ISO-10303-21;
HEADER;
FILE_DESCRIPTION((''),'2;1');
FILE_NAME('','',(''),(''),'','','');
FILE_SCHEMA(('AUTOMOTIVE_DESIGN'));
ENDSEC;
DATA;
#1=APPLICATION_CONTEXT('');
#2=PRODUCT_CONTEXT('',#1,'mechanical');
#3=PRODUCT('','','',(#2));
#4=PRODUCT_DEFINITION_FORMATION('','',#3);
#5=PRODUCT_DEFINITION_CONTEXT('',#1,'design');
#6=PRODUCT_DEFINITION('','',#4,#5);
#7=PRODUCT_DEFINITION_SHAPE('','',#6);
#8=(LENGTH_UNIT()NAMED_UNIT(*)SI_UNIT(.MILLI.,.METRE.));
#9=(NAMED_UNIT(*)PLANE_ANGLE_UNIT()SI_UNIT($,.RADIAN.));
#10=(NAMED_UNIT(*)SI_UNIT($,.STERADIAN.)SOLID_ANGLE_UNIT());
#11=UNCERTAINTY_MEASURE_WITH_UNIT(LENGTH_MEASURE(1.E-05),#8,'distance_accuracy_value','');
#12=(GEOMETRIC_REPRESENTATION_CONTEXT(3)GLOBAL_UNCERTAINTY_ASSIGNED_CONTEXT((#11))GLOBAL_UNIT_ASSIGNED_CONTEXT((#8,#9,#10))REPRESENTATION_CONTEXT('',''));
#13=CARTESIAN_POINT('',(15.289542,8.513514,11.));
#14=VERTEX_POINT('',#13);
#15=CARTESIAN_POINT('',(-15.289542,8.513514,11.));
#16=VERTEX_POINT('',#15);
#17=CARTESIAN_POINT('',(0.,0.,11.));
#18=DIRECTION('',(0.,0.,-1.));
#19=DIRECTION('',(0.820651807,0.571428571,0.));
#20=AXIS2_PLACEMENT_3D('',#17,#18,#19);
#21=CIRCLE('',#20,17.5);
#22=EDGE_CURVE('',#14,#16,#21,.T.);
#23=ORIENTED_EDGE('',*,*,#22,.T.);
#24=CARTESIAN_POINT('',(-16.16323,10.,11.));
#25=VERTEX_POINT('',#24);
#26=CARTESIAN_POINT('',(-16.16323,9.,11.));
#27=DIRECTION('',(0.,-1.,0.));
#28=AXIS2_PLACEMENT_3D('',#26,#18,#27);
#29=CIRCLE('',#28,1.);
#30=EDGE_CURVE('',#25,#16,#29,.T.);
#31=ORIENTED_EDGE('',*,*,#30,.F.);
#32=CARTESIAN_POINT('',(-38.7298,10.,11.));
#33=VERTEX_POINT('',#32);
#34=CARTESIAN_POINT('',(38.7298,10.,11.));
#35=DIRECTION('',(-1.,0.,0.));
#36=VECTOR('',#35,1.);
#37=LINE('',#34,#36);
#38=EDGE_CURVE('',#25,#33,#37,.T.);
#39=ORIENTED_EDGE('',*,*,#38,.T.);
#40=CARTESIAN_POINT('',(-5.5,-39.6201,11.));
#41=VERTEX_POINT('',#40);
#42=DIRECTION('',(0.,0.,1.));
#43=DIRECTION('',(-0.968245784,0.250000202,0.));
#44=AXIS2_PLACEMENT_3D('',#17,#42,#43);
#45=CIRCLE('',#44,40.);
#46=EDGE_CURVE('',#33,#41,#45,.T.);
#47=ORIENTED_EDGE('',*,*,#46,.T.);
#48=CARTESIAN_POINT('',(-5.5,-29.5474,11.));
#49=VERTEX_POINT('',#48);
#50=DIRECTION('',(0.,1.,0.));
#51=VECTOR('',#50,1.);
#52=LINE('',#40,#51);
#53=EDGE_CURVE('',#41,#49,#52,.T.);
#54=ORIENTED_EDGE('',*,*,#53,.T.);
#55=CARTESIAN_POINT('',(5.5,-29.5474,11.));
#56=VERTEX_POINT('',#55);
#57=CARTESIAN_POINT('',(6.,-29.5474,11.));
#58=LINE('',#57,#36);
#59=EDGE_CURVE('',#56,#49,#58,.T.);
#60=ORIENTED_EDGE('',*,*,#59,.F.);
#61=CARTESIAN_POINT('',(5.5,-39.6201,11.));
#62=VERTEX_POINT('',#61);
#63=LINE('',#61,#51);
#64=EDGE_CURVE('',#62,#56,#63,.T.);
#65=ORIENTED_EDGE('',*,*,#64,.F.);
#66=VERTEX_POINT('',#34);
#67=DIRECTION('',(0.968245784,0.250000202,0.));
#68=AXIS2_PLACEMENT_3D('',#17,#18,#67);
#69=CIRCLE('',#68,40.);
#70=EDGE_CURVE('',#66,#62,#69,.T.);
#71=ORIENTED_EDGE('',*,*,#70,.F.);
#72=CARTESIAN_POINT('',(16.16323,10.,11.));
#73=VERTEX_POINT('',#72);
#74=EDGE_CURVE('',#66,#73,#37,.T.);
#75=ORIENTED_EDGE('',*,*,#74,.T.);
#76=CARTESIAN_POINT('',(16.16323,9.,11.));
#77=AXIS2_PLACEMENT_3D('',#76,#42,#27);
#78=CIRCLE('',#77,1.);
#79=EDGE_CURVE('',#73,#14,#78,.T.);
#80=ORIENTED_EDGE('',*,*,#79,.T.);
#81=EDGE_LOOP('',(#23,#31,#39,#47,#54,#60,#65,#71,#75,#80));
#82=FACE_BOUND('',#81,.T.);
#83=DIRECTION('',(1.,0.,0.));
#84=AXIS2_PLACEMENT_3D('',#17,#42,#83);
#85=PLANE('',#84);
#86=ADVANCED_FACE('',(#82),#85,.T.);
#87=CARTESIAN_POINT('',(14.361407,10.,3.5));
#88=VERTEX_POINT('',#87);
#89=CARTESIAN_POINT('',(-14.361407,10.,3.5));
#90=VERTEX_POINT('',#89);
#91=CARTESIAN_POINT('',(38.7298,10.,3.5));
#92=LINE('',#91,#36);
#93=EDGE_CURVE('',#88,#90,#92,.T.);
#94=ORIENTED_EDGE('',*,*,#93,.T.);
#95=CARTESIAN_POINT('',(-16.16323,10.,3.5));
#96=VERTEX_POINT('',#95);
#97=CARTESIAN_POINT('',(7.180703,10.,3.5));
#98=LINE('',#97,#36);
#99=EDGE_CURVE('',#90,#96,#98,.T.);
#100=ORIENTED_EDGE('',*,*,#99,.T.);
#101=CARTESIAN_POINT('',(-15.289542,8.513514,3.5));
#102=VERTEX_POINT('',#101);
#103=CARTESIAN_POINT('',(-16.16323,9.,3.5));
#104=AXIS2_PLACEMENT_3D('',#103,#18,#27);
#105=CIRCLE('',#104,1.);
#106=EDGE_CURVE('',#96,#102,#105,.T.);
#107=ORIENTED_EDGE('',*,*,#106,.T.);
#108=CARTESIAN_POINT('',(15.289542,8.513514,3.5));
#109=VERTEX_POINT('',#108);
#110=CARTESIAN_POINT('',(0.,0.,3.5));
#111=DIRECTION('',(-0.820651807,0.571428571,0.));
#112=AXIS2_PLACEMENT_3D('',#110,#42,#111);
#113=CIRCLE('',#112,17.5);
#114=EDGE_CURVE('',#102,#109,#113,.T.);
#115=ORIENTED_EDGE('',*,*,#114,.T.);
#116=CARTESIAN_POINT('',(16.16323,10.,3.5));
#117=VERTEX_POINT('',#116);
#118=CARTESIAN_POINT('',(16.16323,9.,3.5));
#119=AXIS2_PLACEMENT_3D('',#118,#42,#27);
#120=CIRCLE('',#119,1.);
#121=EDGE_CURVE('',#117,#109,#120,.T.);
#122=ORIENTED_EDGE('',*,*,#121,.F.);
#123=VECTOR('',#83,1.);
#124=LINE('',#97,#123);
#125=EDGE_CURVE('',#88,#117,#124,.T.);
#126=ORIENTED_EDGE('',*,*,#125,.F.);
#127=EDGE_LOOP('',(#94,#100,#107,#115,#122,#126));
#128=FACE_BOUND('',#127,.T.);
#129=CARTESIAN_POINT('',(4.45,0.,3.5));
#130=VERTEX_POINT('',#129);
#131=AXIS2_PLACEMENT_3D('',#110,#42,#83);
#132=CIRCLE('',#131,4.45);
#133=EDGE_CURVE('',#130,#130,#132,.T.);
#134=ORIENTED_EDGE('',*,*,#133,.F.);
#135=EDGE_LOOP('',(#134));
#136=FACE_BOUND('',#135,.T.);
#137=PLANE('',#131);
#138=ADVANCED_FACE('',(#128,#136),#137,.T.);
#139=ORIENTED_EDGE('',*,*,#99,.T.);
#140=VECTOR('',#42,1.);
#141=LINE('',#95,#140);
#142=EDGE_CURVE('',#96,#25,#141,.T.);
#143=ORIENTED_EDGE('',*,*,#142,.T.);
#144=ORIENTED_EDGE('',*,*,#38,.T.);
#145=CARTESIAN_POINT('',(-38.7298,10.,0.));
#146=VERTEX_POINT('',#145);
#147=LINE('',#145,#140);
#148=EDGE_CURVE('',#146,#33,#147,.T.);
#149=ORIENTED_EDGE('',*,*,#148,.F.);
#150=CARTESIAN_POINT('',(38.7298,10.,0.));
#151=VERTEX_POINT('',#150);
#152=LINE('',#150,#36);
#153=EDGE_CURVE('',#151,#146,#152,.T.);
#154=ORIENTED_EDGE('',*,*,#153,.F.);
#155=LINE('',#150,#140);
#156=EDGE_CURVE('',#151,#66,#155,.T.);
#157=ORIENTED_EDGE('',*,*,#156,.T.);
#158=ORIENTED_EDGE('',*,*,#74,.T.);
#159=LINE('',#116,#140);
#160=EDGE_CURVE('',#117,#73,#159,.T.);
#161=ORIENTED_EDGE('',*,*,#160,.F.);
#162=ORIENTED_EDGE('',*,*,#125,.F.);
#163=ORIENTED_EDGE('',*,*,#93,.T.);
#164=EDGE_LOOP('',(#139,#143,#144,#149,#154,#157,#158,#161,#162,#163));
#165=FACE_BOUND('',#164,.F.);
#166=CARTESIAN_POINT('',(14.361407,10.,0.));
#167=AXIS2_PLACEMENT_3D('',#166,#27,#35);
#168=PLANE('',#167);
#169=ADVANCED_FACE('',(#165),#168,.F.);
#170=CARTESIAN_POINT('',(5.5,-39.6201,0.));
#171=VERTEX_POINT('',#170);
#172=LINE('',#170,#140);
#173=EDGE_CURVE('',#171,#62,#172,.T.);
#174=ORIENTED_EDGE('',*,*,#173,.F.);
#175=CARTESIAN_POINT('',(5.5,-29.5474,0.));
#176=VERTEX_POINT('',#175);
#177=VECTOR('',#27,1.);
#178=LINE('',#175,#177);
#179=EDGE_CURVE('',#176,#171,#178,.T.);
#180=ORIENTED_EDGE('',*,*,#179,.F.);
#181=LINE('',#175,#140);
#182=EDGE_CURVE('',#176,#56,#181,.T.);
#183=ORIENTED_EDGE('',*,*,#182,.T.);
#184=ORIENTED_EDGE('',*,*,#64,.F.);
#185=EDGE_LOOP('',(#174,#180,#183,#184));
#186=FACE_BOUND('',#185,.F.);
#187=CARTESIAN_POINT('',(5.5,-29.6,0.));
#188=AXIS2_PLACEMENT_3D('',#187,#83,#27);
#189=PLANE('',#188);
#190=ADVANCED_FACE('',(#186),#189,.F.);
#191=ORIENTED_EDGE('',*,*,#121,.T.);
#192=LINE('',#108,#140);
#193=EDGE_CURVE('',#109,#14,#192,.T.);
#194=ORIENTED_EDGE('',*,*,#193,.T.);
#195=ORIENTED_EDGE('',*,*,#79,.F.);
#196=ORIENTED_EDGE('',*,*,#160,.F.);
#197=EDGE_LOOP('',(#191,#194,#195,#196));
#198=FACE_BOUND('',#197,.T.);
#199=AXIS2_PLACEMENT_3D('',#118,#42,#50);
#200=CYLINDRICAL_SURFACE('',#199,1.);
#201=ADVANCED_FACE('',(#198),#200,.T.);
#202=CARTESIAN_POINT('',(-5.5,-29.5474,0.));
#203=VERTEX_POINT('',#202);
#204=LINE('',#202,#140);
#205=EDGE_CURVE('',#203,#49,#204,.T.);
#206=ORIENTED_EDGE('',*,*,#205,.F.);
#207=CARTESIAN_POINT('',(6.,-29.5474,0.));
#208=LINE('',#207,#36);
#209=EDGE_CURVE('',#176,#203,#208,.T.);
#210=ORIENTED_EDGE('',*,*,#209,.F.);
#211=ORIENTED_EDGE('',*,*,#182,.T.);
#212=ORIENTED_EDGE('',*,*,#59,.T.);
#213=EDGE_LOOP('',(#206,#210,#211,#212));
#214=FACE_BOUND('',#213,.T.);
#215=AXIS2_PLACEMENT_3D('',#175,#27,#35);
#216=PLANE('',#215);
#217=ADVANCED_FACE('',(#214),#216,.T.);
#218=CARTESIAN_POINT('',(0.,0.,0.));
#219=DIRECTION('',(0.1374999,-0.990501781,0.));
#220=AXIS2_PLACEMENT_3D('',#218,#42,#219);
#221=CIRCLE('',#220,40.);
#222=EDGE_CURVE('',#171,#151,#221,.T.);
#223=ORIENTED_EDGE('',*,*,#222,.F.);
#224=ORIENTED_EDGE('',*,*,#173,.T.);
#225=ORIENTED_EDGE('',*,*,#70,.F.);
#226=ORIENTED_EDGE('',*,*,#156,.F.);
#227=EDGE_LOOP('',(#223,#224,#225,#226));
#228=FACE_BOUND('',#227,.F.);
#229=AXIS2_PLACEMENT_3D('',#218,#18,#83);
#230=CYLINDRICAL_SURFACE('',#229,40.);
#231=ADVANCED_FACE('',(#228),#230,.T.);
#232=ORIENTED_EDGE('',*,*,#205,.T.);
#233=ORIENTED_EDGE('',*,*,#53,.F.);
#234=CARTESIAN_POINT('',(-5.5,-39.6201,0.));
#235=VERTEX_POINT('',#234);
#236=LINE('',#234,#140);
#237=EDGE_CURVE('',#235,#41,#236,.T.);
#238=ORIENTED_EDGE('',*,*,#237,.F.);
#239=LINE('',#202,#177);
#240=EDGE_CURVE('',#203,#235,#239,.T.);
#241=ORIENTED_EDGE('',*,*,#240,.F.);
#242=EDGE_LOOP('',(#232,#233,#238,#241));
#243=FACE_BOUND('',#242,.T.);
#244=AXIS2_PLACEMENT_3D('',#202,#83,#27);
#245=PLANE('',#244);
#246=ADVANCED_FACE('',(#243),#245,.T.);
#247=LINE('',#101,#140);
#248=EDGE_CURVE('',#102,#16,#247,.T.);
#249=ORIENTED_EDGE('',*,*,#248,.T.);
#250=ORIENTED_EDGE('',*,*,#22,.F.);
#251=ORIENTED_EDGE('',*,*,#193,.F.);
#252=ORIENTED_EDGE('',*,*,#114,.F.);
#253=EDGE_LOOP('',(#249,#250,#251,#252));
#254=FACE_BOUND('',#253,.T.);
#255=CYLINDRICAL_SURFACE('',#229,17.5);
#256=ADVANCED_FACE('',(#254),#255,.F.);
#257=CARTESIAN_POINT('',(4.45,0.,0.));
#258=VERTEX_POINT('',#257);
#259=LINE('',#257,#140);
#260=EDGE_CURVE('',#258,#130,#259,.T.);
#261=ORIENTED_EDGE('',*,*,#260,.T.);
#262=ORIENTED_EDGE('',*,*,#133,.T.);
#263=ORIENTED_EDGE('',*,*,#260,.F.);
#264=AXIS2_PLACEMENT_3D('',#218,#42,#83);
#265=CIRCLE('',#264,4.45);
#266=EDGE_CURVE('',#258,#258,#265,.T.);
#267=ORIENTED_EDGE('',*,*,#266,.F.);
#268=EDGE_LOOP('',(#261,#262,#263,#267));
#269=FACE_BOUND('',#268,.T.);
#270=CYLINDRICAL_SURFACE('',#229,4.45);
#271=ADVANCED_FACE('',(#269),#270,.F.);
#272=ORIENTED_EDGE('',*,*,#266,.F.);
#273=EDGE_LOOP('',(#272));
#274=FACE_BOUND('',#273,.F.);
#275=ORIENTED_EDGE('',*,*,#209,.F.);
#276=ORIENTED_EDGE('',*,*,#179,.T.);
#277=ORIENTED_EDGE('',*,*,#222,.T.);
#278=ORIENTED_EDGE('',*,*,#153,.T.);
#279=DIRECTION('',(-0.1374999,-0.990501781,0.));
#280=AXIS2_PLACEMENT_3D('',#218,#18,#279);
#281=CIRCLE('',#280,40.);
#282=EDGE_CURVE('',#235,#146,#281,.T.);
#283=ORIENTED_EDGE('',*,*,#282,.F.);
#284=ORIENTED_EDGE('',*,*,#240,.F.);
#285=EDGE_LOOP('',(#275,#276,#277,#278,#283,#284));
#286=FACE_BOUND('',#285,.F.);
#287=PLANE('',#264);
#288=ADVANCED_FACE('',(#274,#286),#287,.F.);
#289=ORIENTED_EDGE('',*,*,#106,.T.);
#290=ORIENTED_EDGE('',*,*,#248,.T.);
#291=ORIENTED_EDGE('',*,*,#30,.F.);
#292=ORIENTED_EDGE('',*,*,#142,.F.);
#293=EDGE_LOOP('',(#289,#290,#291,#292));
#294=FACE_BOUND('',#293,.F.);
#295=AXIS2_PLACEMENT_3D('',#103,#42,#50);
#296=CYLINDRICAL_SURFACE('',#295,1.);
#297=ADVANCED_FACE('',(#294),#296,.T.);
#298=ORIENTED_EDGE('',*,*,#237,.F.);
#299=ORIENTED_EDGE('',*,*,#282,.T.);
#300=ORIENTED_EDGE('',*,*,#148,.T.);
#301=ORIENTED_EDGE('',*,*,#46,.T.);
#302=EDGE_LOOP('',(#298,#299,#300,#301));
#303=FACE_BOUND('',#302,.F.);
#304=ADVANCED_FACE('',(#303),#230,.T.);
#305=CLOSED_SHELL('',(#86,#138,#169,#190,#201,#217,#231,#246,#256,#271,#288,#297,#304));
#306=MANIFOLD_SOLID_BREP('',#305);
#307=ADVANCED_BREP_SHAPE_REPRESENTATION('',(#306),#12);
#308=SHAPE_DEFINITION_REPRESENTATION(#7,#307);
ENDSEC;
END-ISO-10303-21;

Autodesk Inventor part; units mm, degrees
ref_plane "YZ Plane" through (0, 0, 0) normal (1, 0, 0) x (0, 1, 0)
ref_plane "XZ Plane" through (0, 0, 0) normal (0, 1, 0) x (-1, 0, 0)
ref_plane "XY Plane" through (0, 0, 0) normal (0, 0, 1) x (1, 0, 0)
sketch "Эскиз1" plane through (0, 0, 0) normal (0, 0, 1) x (1, 0, 0)
  line L0 (0, 0) -> (-6, 0) construction
  line L1 (-6, 0) -> (-6, -27.9727) construction
  line L2 (-6, -27.9727) -> (0, -27.9727) construction
  line L3 (0, -27.9727) -> (0, 0) construction
  line L4 (6, -39.5474) -> (6, -29.5474)
  line L5 (6, -29.5474) -> (-6, -29.5474)
  line L6 (-6, -29.5474) -> (-6, -39.5474)
  circle A0 centre (0, 0) radius 4.45
  circle A1 centre (0, 0) radius 40
  line L7 (29.5474, -6) -> (39.5474, -6)
  line L8 (29.5474, 6) -> (29.5474, -6)
  line L9 (39.5474, 6) -> (29.5474, 6)
  line L10 (6, 29.5474) -> (6, 39.5474)
  line L11 (-6, 29.5474) -> (6, 29.5474)
  line L12 (-6, 39.5474) -> (-6, 29.5474)
  line L13 (-29.5474, 6) -> (-39.5474, 6)
  line L14 (-29.5474, -6) -> (-29.5474, 6)
  line L15 (-39.5474, -6) -> (-29.5474, -6)
  line L16 (38.7298, 10) -> (-38.7298, 10)
  circle A2 centre (0, 0) radius 17.5
  line L17 (0, -40) -> (0, -29.6)
  line L18 (0, -29.6) -> (-6, -29.6)
  line L19 (0, -29.6) -> (6, -29.6)
  line L20 (5.5, -29.5474) -> (5.5, -39.6201)
  line L21 (-5.5, -29.5474) -> (-5.5, -39.6201)
  point P0 (6, -34.4819)
  point P1 (6, -27.9727)
  point P2 (6, -39.5474)
  point P3 (6, -39.5474)
  point P4 (-14.3614, 10)
  point P5 (14.3614, 10)
  point P6 (5.5, -29.6)
  point P7 (-5.5, -29.6)
  dimension "d1" = 6
  dimension "d2" = 12
  dimension "d3" = 10
  dimension "d6" = 8.9
  dimension "d12" = 80
  dimension "d15" = 360
  dimension "d19" = 35
  dimension "d24" = 10.4
  dimension "d25" = 0.5
ref_plane "РабПлоскость2" through (0, 0, 0.2) normal (0, 0, 1) x (1, 0, 0)
extrude "Выдавливание4" add sketch "Эскиз1" along normal blind 3.5 contours A2 L16 picked at (-0.1788, 8.1392)
extrude "Выдавливание5" add sketch "Эскиз1" along normal blind 11 contours A1 L20 L19 L4 | L4 L5 L6 A1 L15 L14 L13 L16 A2 L9 L8 L7 | L19 L20 L5 L4 | L7 L8 L9 A1 | A1 L6 L18 L21 | L21 L18 L6 L5 | A1 L13 L14 L15
fillet "Сопряжение1" radius 1 2 edges at (14.3614, 10, 7.25) (-14.3614, 10, 7.25)
properties part number "circle"
